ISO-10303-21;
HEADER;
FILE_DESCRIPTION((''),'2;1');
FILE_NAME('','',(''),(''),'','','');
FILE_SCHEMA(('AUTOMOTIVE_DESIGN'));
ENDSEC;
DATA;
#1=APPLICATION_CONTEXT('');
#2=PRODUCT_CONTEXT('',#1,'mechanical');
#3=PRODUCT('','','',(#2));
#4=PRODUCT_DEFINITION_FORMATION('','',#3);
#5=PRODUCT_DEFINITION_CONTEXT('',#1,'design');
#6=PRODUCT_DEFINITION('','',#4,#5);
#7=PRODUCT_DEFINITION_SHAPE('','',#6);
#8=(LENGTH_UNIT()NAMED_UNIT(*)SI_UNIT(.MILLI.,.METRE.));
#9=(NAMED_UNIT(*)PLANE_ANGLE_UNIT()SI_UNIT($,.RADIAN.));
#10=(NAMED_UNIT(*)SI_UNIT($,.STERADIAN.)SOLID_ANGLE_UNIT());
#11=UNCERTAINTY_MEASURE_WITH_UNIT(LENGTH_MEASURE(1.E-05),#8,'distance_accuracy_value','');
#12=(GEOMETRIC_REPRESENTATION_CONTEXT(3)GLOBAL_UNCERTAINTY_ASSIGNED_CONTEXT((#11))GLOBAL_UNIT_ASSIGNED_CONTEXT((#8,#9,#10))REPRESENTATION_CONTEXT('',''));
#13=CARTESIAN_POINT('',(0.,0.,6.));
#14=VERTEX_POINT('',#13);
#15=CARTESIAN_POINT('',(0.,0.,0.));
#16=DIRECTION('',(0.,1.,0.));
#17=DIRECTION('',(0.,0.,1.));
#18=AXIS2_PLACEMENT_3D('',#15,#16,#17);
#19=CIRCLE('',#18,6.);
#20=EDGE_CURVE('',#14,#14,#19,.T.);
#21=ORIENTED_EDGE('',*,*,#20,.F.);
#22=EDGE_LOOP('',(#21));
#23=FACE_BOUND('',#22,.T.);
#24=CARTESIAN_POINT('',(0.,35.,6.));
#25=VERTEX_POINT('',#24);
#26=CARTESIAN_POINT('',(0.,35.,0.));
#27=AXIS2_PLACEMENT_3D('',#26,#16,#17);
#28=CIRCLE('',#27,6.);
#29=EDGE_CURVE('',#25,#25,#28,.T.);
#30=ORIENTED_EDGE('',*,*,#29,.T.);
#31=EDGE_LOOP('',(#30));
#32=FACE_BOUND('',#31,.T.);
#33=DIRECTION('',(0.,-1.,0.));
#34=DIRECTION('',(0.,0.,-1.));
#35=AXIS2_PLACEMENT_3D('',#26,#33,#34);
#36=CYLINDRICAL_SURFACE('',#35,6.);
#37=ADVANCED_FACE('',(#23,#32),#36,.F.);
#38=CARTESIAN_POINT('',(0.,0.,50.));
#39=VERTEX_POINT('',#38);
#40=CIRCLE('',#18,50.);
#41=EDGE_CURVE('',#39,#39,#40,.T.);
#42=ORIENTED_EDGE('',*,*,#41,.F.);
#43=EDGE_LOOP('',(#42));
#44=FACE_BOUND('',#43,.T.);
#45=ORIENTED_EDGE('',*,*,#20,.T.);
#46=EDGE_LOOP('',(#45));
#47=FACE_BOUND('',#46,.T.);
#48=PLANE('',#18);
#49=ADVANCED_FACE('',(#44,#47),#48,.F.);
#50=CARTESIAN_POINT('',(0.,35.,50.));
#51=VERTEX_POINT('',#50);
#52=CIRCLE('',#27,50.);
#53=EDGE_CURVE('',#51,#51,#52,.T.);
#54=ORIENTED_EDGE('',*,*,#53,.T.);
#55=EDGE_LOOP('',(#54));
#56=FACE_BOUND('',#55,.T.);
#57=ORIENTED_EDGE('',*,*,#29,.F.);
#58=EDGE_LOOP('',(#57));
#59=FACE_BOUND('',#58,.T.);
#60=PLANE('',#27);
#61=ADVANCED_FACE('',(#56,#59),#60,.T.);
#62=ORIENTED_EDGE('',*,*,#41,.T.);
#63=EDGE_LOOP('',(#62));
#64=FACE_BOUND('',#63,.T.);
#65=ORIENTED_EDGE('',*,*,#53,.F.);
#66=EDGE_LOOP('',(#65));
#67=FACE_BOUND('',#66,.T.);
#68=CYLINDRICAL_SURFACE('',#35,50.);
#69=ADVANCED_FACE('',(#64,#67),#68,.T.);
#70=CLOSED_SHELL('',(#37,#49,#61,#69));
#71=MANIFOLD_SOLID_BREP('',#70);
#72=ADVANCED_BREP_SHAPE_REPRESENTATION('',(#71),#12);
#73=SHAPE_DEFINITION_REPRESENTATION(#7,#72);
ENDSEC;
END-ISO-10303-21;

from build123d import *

# Parameters (mm, degrees)
SKETCH1_R           = 50
SKETCH1_R_2         = 6
BOSS_EXTRUDE1_DEPTH = 35


with BuildPart() as part:
    # Sketch1 → Boss-Extrude1 (new body)
    with BuildSketch(Plane(origin=(0, 0, 0), x_dir=(1, 0, 0), z_dir=(0, 1, 0))):
        Circle(SKETCH1_R)
        Circle(SKETCH1_R_2, mode=Mode.SUBTRACT)
    extrude(amount=BOSS_EXTRUDE1_DEPTH)


solid = part.part
